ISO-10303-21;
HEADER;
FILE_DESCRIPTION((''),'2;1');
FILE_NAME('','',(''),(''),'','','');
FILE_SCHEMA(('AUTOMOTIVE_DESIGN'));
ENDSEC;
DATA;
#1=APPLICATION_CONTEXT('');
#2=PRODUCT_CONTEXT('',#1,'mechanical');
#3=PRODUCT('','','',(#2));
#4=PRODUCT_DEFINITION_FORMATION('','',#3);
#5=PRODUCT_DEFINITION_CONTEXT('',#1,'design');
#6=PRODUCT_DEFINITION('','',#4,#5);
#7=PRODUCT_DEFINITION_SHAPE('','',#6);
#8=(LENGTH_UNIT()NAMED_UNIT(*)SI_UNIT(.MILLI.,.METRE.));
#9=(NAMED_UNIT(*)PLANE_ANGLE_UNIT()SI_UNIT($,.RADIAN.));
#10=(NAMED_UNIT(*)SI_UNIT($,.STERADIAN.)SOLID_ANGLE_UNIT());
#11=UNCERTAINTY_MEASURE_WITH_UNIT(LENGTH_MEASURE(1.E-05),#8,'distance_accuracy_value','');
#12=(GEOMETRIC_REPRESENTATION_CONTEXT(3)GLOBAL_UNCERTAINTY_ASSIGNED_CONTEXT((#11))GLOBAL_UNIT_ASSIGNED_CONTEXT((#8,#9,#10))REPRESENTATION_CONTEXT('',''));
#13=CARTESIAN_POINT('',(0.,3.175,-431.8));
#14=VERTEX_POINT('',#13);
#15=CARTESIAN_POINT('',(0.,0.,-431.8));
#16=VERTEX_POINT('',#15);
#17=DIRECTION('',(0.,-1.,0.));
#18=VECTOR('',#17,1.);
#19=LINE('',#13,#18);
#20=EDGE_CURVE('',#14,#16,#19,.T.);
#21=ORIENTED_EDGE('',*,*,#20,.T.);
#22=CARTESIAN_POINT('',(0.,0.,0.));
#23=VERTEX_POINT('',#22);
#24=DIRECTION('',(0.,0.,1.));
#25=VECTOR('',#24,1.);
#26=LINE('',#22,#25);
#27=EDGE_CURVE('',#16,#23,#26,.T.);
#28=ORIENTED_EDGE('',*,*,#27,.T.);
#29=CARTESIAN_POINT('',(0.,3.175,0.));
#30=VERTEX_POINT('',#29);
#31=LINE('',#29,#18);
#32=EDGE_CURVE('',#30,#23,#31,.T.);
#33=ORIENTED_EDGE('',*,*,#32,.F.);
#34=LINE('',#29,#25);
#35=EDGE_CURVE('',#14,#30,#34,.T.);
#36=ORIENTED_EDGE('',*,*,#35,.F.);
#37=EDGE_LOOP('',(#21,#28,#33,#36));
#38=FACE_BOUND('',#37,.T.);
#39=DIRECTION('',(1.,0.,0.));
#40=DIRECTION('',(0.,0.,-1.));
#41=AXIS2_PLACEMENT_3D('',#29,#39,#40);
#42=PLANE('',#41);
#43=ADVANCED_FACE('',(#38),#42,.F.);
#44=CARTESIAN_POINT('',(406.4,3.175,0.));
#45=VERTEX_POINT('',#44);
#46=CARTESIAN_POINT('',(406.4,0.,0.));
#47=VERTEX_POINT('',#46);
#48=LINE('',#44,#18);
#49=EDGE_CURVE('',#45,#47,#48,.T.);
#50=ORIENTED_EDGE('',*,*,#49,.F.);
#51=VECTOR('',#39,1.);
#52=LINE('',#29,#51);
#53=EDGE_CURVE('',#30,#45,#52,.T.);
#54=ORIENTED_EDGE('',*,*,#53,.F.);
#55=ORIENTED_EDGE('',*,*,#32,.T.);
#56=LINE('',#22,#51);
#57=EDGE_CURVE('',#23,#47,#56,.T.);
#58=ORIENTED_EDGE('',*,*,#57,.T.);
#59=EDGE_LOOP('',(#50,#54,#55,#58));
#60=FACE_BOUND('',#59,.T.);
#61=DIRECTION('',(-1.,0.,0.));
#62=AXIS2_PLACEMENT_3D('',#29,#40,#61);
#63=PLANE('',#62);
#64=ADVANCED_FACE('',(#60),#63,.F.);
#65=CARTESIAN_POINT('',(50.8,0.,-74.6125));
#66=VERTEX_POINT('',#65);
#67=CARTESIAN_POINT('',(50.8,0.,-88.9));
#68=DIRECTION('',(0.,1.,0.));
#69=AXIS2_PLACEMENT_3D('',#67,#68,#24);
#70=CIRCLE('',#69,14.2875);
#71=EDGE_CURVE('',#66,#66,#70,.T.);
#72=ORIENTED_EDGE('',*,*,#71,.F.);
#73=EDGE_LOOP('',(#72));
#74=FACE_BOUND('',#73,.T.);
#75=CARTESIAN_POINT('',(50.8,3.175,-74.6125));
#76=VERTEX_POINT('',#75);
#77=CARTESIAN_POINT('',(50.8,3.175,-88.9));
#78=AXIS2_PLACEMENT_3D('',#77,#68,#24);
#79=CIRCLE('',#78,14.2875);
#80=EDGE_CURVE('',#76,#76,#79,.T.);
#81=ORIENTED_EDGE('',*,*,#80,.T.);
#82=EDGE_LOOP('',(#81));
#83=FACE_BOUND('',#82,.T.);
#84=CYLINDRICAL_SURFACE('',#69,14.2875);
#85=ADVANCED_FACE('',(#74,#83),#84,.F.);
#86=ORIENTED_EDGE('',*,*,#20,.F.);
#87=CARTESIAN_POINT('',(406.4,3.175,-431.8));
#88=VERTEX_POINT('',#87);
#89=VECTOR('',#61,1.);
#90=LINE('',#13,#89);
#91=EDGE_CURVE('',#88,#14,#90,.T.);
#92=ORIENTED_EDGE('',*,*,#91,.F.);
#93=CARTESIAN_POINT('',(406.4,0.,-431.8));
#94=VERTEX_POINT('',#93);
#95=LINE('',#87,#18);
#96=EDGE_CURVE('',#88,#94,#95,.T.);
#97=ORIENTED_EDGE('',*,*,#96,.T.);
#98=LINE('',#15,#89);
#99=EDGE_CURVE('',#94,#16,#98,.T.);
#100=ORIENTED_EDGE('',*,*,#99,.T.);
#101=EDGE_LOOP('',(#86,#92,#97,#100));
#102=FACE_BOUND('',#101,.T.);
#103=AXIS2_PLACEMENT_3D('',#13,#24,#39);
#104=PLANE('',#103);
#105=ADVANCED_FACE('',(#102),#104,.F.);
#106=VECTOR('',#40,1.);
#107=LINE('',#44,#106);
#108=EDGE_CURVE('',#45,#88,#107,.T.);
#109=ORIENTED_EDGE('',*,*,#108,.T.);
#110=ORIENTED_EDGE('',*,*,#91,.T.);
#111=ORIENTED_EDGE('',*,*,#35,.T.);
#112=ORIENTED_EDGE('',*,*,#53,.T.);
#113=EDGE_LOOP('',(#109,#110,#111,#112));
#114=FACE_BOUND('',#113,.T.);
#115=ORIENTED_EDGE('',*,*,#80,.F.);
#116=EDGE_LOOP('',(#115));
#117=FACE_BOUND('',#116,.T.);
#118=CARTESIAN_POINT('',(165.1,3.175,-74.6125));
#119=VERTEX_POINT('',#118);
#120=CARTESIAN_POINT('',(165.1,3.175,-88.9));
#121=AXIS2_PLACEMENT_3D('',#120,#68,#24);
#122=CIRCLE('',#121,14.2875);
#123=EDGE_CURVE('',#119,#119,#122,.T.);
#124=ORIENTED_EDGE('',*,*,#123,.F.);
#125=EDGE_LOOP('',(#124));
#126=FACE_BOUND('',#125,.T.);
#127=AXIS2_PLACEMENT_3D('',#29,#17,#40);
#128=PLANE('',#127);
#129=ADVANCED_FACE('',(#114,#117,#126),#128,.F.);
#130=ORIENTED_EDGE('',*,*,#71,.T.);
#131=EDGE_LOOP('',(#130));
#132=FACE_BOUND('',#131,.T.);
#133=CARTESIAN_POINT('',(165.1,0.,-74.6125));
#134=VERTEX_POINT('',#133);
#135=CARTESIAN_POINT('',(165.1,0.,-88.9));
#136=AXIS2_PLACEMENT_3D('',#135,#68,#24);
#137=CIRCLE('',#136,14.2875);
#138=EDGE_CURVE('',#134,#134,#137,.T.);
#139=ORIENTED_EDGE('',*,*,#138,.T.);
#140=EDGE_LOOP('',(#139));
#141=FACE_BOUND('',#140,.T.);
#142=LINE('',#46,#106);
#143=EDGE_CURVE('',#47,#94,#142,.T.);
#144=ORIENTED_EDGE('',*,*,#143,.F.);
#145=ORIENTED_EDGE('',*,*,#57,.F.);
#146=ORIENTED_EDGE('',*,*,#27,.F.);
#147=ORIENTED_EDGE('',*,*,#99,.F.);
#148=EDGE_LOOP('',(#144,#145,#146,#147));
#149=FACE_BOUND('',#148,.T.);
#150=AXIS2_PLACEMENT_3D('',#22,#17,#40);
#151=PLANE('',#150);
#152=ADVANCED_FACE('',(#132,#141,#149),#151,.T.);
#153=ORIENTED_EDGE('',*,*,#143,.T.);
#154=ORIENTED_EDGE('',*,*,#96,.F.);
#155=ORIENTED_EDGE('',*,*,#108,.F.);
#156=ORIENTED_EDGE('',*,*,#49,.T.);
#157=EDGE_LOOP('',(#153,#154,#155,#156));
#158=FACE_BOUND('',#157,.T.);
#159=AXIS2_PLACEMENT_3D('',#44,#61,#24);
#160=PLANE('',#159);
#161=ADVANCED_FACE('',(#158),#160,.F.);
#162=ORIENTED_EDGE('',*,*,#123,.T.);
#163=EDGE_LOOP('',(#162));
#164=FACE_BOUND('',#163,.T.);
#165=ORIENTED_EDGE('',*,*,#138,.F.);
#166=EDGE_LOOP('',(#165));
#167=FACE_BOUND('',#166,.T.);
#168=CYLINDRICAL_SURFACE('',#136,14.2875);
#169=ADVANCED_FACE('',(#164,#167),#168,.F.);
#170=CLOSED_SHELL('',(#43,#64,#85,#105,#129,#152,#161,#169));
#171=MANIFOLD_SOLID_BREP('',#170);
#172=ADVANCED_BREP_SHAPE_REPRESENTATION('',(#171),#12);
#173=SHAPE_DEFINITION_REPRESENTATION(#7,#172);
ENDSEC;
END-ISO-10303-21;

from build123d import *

# Parameters (mm, degrees)
SKETCH1_W           = 406.4
SKETCH1_H           = 431.8
BOSS_EXTRUDE1_DEPTH = 3.175
SKETCH2_R           = 14.2875
CUT_EXTRUDE1_DEPTH  = 3.175


with BuildPart() as part:
    # Sketch1 → Boss-Extrude1 (new body)
    with BuildSketch(Plane(origin=(0, 0, 0), x_dir=(1, 0, 0), z_dir=(0, 1, 0))):
        with Locations((203.2, 215.9)):
            Rectangle(SKETCH1_W, SKETCH1_H)
    extrude(amount=BOSS_EXTRUDE1_DEPTH)

    # Sketch2 → Cut-Extrude1 (cut)
    with BuildSketch(Plane(origin=(0, 3.175, 0), x_dir=(1, 0, 0), z_dir=(0, 1, 0))):
        with Locations((50.8, 88.9)):
            Circle(SKETCH2_R)
        with Locations((165.1, 88.9)):
            Circle(SKETCH2_R)
    extrude(amount=-CUT_EXTRUDE1_DEPTH, mode=Mode.SUBTRACT)


solid = part.part
